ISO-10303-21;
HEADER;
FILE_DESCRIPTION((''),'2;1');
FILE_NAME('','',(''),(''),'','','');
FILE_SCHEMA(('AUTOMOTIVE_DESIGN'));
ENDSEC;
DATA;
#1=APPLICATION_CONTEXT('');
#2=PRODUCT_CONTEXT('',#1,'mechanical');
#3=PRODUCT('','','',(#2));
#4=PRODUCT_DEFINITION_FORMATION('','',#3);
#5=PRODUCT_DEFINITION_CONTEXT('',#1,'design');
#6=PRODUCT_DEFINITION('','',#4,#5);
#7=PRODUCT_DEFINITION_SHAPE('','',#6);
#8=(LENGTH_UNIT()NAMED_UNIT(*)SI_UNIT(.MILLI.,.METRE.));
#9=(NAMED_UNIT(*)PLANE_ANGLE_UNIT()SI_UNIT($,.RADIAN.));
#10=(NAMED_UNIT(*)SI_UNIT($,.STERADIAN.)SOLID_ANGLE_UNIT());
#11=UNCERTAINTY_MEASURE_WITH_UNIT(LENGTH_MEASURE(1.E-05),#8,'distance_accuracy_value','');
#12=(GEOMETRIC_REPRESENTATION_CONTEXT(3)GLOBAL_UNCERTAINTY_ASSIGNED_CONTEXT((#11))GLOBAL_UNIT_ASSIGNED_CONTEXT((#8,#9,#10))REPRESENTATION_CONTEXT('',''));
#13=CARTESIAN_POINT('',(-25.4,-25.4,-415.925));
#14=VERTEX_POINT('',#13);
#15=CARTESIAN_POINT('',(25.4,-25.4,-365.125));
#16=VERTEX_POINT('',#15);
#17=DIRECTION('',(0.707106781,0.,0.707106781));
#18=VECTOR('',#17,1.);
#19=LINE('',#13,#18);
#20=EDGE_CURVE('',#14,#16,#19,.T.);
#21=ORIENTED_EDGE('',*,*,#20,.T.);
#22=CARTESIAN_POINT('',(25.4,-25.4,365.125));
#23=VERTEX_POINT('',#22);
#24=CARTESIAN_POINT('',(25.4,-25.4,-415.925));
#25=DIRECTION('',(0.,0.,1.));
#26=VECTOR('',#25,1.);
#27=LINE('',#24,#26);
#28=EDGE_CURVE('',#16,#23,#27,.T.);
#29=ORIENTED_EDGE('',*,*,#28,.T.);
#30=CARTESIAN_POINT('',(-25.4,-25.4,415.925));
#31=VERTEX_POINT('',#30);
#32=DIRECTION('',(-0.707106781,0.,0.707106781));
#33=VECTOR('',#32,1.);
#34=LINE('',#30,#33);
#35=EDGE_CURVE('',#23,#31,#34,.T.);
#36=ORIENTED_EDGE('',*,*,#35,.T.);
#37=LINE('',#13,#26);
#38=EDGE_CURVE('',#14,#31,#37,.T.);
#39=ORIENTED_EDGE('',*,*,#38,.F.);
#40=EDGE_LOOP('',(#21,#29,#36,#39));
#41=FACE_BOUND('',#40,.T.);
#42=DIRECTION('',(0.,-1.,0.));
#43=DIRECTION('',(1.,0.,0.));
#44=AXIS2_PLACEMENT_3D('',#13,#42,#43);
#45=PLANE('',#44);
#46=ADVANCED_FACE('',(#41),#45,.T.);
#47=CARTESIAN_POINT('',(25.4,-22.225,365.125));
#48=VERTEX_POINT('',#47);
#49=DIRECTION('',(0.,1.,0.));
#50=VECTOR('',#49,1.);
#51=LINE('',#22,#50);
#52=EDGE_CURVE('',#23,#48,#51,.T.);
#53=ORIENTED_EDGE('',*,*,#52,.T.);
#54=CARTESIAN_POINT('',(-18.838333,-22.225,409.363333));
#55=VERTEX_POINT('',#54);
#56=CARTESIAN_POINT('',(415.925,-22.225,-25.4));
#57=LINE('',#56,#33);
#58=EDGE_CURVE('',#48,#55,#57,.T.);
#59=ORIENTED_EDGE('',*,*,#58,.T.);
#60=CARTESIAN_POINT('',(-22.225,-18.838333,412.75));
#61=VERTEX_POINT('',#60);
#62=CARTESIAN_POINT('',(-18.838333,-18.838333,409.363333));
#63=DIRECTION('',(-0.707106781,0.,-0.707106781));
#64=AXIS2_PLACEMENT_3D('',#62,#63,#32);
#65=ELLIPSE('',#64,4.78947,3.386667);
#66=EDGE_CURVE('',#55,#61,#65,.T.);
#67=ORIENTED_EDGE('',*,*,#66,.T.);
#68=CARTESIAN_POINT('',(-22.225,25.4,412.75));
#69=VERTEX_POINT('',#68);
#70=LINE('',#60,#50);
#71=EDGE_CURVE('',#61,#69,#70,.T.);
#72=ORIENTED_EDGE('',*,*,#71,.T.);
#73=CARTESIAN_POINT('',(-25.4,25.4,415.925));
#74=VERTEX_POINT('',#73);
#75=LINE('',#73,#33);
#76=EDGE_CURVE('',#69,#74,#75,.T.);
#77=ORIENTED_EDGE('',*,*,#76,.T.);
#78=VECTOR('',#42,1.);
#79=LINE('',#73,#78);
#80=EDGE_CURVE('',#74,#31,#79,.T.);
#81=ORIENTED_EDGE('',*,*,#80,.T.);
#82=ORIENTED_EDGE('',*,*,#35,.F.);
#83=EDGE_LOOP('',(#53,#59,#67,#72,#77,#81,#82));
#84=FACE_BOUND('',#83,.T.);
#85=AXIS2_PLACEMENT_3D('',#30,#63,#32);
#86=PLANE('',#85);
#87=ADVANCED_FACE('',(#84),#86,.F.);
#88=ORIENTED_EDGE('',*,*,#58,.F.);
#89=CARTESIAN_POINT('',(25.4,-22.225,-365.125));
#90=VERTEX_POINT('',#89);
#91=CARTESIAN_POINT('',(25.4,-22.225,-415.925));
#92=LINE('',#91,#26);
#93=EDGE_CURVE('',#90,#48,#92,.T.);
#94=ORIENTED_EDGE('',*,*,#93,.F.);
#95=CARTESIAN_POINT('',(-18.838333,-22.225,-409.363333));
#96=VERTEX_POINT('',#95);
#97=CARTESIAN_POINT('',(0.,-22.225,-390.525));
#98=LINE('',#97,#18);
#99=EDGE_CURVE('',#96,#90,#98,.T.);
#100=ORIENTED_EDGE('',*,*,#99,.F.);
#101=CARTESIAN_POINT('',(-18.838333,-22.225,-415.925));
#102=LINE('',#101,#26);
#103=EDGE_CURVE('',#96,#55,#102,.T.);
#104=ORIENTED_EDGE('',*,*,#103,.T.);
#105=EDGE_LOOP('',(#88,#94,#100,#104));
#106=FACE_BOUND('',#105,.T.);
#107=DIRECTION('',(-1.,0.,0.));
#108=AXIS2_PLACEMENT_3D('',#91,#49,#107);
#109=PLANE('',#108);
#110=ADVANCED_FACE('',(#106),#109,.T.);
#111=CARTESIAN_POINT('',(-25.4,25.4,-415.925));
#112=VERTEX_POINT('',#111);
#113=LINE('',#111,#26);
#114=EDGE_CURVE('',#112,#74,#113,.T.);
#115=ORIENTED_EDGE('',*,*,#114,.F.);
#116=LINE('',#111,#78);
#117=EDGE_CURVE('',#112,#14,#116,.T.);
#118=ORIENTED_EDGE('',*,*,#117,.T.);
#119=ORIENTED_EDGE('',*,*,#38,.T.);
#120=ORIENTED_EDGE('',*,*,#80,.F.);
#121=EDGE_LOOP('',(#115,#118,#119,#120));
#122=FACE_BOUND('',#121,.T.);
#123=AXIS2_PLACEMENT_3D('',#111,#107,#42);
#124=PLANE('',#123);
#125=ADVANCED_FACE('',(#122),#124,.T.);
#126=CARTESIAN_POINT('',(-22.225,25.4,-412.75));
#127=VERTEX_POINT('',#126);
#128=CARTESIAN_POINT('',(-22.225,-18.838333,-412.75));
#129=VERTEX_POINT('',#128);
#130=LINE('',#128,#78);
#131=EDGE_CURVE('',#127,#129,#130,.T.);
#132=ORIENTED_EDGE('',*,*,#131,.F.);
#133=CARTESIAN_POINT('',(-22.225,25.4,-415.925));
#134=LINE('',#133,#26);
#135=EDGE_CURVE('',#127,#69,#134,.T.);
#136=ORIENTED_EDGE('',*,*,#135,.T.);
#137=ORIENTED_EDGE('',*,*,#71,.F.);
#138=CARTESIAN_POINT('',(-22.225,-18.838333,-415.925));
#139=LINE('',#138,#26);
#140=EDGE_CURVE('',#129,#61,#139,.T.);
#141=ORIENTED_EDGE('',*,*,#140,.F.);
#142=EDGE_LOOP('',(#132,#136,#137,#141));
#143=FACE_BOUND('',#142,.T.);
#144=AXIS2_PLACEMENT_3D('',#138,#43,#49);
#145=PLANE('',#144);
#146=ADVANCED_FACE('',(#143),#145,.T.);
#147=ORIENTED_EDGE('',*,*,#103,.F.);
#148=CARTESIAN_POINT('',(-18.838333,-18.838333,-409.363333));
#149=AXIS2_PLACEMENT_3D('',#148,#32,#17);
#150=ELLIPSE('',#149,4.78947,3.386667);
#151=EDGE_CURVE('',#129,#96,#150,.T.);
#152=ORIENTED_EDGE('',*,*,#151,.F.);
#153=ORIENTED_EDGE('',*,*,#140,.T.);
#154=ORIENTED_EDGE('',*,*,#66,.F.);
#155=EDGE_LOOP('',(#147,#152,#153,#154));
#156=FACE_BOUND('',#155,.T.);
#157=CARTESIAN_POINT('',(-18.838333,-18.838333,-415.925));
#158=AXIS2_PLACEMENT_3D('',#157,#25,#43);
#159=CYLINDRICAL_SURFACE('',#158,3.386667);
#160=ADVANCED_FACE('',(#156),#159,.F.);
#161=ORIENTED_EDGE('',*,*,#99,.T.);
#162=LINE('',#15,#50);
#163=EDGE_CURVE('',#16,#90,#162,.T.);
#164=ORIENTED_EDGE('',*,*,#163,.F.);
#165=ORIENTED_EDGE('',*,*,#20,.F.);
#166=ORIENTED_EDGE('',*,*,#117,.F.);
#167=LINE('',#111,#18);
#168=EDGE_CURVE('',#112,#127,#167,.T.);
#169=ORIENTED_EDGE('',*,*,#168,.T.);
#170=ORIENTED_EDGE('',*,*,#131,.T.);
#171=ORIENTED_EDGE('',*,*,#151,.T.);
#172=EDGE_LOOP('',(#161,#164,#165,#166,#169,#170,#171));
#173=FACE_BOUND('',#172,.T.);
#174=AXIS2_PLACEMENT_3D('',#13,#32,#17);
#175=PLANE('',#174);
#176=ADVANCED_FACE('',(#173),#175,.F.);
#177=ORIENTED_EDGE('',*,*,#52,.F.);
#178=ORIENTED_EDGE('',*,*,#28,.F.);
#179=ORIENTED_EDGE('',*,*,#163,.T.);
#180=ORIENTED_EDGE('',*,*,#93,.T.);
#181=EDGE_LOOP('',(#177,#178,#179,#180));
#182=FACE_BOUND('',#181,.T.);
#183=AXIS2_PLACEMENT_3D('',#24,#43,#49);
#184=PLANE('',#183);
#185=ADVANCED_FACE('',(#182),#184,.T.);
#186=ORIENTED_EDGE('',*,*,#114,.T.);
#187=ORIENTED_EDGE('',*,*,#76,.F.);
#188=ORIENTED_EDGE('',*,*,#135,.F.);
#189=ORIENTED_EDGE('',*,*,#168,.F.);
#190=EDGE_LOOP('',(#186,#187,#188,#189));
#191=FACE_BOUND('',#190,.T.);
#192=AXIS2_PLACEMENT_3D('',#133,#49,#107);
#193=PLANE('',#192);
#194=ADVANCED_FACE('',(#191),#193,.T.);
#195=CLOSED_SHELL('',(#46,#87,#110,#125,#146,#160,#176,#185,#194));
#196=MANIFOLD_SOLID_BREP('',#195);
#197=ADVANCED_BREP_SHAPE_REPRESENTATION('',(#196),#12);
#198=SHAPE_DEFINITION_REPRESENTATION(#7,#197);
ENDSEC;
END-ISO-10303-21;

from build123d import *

# Parameters (mm, degrees)
BOSS_EXTRUDE1_DEPTH      = 415.925
BOSS_EXTRUDE1_DEPTH_BACK = 415.925
CUT_EXTRUDE2_DEPTH       = 48.625
CUT_EXTRUDE2_DEPTH_BACK  = 4.175


with BuildPart() as part:
    # Sketch4 → Boss-Extrude1 (new body, two sides)
    with BuildSketch(Plane.XY) as boss_extrude1_sk:
        with BuildLine():
            Line((-22.225, -18.838333333), (-22.225, 25.4))
            Line((-22.225, 25.4), (-25.4, 25.4))
            Line((-25.4, 25.4), (-25.4, -25.4))
            Line((-25.4, -25.4), (25.4, -25.4))
            Line((25.4, -25.4), (25.4, -22.225))
            Line((25.4, -22.225), (-18.838333333, -22.225))
            ThreePointArc((-18.838333333, -22.225), (-21.233068299, -21.233068299), (-22.225, -18.838333333))
        make_face()
    extrude(amount=BOSS_EXTRUDE1_DEPTH)
    extrude(boss_extrude1_sk.sketch, amount=-BOSS_EXTRUDE1_DEPTH_BACK)

    # Sketch5 → Cut-Extrude2 (cut, two sides)
    with BuildSketch(Plane(origin=(0, -22.225, 0), x_dir=(1, 0, 0), z_dir=(0, 1, 0))) as cut_extrude2_sk:
        Polygon((-25.4, 415.925), (25.4, 365.125), (25.4, 415.925), align=None)
        Polygon((25.4, -415.925), (25.4, -365.125), (-25.4, -415.925), align=None)
    extrude(amount=CUT_EXTRUDE2_DEPTH, mode=Mode.SUBTRACT)
    extrude(cut_extrude2_sk.sketch, amount=-CUT_EXTRUDE2_DEPTH_BACK, mode=Mode.SUBTRACT)


solid = part.part
